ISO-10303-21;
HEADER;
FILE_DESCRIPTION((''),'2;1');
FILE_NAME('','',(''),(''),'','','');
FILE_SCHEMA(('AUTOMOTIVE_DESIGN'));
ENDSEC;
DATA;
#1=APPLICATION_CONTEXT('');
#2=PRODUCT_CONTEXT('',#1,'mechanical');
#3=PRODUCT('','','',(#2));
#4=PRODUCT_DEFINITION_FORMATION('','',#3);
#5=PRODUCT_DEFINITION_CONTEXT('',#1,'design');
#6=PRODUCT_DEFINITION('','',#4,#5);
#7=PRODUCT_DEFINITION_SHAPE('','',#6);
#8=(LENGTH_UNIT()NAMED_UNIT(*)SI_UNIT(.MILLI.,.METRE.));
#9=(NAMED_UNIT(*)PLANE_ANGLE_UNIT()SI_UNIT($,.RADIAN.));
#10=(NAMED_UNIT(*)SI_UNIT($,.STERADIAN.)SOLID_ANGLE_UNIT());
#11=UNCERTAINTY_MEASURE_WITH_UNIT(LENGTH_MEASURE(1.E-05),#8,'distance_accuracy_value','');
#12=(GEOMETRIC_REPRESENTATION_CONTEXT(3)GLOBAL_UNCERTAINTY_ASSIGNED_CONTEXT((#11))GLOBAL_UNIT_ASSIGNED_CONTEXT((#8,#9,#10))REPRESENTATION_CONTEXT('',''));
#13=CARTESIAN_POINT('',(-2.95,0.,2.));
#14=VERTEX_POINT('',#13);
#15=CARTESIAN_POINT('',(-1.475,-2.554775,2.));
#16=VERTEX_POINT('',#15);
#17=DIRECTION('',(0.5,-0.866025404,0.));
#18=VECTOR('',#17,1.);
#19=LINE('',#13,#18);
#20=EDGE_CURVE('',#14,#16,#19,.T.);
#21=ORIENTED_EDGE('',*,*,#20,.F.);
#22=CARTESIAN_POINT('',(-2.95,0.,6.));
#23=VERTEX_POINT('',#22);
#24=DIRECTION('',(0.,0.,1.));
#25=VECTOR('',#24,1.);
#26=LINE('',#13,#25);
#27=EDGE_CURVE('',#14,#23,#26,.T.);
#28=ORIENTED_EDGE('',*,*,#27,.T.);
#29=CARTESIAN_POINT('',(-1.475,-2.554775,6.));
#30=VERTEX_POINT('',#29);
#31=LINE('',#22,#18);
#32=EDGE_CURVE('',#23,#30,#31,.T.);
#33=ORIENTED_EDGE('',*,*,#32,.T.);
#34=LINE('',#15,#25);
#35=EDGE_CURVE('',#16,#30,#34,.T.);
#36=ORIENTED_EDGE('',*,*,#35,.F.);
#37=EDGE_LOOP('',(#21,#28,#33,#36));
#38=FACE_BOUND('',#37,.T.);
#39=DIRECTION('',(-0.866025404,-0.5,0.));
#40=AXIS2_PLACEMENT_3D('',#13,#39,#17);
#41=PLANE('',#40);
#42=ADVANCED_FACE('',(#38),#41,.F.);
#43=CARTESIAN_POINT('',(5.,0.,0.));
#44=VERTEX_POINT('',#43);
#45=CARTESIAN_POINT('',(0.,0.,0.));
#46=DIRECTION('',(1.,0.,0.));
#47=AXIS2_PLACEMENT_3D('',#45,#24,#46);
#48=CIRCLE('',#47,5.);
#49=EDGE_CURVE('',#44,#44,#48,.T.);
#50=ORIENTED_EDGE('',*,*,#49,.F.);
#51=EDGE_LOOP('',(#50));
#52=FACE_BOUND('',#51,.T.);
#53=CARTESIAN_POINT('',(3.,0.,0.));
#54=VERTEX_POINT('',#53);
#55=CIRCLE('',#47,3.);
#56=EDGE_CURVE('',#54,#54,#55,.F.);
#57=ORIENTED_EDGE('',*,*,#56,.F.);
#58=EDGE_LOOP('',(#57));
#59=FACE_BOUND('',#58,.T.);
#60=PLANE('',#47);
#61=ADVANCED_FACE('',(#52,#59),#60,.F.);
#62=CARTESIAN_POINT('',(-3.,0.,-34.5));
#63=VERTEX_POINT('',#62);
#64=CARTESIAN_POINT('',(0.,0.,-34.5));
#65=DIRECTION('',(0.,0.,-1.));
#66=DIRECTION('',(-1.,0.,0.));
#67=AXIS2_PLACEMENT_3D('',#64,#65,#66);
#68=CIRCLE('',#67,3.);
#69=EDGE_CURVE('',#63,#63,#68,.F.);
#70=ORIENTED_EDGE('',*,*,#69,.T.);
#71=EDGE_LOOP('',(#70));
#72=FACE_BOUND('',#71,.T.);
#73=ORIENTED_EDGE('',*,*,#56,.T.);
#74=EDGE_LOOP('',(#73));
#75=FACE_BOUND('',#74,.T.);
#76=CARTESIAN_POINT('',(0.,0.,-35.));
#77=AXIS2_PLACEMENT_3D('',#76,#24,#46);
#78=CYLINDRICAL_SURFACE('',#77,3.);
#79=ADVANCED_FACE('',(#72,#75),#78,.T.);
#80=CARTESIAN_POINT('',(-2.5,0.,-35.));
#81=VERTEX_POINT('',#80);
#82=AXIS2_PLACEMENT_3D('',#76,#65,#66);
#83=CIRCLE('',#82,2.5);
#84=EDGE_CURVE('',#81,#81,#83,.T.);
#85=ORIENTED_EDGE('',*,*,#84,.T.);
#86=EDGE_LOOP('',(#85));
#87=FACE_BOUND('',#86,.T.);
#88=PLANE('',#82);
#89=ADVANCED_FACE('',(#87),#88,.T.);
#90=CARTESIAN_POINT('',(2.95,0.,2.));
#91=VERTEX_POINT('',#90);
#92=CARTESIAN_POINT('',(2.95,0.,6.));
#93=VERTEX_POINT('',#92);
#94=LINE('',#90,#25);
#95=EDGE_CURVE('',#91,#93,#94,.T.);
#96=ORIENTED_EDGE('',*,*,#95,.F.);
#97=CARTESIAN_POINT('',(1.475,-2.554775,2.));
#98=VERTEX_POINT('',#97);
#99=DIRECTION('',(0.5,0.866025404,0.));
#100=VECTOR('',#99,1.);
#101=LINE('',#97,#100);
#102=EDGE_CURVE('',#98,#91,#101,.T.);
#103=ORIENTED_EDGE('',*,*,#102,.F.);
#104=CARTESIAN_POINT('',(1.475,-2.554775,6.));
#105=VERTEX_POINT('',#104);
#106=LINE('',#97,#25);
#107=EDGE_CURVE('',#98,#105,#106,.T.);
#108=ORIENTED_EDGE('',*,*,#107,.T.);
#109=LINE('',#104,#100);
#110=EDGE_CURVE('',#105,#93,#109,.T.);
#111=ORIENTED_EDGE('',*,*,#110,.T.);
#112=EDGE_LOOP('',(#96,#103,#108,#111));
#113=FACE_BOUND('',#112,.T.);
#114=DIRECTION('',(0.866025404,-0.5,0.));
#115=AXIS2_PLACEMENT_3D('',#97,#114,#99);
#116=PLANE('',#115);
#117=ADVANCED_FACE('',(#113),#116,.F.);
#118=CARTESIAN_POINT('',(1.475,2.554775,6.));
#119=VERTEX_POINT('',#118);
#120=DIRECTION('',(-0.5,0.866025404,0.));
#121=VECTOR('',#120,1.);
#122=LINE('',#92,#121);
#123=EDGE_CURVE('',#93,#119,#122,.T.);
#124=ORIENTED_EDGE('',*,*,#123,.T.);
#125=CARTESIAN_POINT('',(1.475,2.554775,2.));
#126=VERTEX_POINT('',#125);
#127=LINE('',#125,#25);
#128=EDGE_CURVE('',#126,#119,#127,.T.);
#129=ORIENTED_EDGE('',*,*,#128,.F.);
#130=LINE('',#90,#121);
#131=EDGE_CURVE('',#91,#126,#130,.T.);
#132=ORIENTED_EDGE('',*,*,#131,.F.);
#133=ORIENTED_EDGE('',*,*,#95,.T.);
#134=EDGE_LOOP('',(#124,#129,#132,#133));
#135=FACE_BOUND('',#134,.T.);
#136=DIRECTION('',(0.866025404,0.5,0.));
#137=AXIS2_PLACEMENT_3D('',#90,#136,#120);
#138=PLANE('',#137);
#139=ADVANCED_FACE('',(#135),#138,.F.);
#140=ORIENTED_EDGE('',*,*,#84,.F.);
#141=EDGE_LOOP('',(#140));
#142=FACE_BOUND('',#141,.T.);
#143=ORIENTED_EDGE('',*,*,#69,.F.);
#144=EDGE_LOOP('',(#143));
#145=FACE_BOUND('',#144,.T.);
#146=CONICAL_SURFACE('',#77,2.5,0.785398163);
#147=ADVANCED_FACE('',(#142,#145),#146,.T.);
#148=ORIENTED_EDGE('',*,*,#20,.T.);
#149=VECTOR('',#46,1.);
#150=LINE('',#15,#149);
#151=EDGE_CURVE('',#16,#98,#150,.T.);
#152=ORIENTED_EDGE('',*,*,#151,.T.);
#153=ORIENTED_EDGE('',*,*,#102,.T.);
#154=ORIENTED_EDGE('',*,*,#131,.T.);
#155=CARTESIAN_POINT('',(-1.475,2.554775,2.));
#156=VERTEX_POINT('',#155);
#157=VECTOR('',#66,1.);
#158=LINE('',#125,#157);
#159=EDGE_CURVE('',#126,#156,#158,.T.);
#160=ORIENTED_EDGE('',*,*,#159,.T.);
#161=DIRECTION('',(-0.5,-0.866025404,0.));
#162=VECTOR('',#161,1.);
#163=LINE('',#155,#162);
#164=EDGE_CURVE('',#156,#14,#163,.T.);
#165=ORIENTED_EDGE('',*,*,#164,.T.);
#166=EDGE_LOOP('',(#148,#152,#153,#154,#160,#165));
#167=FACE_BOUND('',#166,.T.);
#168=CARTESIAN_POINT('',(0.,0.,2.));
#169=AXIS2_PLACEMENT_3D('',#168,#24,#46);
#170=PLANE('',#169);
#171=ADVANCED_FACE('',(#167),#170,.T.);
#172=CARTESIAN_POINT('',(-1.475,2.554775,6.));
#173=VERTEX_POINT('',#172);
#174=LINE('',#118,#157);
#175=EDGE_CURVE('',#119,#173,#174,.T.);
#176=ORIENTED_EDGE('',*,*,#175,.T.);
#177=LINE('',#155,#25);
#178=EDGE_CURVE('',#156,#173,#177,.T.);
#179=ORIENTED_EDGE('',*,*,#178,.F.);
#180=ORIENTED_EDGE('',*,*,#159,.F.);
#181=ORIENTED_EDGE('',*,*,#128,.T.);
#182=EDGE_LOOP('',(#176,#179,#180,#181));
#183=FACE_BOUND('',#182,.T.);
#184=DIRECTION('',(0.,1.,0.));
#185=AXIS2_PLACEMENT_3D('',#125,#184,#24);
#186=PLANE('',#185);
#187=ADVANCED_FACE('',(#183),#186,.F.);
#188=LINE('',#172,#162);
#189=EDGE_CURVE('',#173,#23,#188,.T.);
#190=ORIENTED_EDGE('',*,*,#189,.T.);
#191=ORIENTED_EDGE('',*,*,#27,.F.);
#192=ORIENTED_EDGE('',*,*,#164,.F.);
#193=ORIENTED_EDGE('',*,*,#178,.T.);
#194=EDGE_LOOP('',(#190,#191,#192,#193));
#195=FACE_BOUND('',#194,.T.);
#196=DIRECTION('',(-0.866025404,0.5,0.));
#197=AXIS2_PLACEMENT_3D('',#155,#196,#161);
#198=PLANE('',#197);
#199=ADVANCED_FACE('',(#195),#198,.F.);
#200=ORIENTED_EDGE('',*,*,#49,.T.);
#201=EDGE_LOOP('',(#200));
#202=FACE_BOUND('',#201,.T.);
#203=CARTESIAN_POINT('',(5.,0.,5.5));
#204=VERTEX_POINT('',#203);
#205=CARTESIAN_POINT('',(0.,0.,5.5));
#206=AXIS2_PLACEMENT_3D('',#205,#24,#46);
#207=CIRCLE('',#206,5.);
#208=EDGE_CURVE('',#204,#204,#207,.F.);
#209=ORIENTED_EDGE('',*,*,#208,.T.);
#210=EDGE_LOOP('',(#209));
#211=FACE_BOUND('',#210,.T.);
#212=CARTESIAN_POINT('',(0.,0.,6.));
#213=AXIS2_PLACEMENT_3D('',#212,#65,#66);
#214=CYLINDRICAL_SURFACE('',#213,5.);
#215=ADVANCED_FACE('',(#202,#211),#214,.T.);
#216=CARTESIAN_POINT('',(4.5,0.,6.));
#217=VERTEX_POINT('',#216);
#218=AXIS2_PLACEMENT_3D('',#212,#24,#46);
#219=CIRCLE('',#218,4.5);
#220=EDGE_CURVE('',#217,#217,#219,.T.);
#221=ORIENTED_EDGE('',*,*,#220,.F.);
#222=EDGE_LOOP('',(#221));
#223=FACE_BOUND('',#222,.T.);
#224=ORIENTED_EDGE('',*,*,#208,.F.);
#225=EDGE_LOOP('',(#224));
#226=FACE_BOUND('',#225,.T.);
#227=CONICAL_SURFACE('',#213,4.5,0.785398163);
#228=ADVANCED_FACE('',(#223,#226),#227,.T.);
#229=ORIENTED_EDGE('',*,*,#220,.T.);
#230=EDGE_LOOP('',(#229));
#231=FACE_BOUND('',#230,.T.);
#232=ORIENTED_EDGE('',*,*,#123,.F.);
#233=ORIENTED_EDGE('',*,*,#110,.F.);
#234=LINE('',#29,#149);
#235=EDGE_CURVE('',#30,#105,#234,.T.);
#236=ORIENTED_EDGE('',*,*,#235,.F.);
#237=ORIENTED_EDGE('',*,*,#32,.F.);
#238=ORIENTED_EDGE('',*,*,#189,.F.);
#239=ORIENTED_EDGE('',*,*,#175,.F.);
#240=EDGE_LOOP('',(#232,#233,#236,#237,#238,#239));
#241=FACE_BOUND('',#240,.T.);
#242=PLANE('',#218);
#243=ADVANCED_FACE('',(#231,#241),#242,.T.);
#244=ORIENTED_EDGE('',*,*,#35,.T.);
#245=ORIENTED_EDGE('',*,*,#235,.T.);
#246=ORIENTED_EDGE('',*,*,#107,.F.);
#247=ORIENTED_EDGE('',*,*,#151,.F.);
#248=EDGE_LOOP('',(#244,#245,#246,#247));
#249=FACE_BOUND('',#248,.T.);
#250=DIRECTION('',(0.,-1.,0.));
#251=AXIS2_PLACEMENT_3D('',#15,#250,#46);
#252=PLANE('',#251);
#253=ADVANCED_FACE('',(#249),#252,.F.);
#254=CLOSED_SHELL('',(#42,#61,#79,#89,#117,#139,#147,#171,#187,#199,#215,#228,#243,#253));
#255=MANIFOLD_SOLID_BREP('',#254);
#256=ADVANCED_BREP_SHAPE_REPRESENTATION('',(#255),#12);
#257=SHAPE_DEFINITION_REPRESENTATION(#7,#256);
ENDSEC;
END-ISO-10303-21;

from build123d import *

# Parameters (mm, degrees)
CROQUIS1_R              = 5
SALIENTE_EXTRUIR1_DEPTH = 6
CROQUIS2_R              = 3
SALIENTE_EXTRUIR2_DEPTH = 35
CHAFL_N1_SIZE           = 0.5
CORTAR_EXTRUIR1_DEPTH   = 4


with BuildPart() as part:
    # Croquis1 → Saliente-Extruir1 (new body)
    with BuildSketch(Plane.XY):
        Circle(CROQUIS1_R)
    extrude(amount=SALIENTE_EXTRUIR1_DEPTH)

    # Croquis2 → Saliente-Extruir2 (add)
    with BuildSketch(Plane(origin=(0, 0, 0), x_dir=(-1, 0, 0), z_dir=(0, 0, -1))):
        with Locations(Location((0, 0, 0), (0, 0, 180))):
            Circle(CROQUIS2_R)
    extrude(amount=SALIENTE_EXTRUIR2_DEPTH)

    # Chaflán1
    chafl_n1_edges = [part.edges().sort_by_distance(p)[0] for p in [
        (-5, 0, 6),
        (-3, 0, -35),
    ]]
    chamfer(chafl_n1_edges, length=CHAFL_N1_SIZE)

    # Croquis3 → Cortar-Extruir1 (cut)
    with BuildSketch(Plane.XY.offset(6)):
        Polygon((2.95, 0), (1.475, 2.554774941), (-1.475, 2.554774941), (-2.95, 0), (-1.475, -2.554774941), (1.475, -2.554774941), align=None)
    extrude(amount=-CORTAR_EXTRUIR1_DEPTH, mode=Mode.SUBTRACT)


solid = part.part
